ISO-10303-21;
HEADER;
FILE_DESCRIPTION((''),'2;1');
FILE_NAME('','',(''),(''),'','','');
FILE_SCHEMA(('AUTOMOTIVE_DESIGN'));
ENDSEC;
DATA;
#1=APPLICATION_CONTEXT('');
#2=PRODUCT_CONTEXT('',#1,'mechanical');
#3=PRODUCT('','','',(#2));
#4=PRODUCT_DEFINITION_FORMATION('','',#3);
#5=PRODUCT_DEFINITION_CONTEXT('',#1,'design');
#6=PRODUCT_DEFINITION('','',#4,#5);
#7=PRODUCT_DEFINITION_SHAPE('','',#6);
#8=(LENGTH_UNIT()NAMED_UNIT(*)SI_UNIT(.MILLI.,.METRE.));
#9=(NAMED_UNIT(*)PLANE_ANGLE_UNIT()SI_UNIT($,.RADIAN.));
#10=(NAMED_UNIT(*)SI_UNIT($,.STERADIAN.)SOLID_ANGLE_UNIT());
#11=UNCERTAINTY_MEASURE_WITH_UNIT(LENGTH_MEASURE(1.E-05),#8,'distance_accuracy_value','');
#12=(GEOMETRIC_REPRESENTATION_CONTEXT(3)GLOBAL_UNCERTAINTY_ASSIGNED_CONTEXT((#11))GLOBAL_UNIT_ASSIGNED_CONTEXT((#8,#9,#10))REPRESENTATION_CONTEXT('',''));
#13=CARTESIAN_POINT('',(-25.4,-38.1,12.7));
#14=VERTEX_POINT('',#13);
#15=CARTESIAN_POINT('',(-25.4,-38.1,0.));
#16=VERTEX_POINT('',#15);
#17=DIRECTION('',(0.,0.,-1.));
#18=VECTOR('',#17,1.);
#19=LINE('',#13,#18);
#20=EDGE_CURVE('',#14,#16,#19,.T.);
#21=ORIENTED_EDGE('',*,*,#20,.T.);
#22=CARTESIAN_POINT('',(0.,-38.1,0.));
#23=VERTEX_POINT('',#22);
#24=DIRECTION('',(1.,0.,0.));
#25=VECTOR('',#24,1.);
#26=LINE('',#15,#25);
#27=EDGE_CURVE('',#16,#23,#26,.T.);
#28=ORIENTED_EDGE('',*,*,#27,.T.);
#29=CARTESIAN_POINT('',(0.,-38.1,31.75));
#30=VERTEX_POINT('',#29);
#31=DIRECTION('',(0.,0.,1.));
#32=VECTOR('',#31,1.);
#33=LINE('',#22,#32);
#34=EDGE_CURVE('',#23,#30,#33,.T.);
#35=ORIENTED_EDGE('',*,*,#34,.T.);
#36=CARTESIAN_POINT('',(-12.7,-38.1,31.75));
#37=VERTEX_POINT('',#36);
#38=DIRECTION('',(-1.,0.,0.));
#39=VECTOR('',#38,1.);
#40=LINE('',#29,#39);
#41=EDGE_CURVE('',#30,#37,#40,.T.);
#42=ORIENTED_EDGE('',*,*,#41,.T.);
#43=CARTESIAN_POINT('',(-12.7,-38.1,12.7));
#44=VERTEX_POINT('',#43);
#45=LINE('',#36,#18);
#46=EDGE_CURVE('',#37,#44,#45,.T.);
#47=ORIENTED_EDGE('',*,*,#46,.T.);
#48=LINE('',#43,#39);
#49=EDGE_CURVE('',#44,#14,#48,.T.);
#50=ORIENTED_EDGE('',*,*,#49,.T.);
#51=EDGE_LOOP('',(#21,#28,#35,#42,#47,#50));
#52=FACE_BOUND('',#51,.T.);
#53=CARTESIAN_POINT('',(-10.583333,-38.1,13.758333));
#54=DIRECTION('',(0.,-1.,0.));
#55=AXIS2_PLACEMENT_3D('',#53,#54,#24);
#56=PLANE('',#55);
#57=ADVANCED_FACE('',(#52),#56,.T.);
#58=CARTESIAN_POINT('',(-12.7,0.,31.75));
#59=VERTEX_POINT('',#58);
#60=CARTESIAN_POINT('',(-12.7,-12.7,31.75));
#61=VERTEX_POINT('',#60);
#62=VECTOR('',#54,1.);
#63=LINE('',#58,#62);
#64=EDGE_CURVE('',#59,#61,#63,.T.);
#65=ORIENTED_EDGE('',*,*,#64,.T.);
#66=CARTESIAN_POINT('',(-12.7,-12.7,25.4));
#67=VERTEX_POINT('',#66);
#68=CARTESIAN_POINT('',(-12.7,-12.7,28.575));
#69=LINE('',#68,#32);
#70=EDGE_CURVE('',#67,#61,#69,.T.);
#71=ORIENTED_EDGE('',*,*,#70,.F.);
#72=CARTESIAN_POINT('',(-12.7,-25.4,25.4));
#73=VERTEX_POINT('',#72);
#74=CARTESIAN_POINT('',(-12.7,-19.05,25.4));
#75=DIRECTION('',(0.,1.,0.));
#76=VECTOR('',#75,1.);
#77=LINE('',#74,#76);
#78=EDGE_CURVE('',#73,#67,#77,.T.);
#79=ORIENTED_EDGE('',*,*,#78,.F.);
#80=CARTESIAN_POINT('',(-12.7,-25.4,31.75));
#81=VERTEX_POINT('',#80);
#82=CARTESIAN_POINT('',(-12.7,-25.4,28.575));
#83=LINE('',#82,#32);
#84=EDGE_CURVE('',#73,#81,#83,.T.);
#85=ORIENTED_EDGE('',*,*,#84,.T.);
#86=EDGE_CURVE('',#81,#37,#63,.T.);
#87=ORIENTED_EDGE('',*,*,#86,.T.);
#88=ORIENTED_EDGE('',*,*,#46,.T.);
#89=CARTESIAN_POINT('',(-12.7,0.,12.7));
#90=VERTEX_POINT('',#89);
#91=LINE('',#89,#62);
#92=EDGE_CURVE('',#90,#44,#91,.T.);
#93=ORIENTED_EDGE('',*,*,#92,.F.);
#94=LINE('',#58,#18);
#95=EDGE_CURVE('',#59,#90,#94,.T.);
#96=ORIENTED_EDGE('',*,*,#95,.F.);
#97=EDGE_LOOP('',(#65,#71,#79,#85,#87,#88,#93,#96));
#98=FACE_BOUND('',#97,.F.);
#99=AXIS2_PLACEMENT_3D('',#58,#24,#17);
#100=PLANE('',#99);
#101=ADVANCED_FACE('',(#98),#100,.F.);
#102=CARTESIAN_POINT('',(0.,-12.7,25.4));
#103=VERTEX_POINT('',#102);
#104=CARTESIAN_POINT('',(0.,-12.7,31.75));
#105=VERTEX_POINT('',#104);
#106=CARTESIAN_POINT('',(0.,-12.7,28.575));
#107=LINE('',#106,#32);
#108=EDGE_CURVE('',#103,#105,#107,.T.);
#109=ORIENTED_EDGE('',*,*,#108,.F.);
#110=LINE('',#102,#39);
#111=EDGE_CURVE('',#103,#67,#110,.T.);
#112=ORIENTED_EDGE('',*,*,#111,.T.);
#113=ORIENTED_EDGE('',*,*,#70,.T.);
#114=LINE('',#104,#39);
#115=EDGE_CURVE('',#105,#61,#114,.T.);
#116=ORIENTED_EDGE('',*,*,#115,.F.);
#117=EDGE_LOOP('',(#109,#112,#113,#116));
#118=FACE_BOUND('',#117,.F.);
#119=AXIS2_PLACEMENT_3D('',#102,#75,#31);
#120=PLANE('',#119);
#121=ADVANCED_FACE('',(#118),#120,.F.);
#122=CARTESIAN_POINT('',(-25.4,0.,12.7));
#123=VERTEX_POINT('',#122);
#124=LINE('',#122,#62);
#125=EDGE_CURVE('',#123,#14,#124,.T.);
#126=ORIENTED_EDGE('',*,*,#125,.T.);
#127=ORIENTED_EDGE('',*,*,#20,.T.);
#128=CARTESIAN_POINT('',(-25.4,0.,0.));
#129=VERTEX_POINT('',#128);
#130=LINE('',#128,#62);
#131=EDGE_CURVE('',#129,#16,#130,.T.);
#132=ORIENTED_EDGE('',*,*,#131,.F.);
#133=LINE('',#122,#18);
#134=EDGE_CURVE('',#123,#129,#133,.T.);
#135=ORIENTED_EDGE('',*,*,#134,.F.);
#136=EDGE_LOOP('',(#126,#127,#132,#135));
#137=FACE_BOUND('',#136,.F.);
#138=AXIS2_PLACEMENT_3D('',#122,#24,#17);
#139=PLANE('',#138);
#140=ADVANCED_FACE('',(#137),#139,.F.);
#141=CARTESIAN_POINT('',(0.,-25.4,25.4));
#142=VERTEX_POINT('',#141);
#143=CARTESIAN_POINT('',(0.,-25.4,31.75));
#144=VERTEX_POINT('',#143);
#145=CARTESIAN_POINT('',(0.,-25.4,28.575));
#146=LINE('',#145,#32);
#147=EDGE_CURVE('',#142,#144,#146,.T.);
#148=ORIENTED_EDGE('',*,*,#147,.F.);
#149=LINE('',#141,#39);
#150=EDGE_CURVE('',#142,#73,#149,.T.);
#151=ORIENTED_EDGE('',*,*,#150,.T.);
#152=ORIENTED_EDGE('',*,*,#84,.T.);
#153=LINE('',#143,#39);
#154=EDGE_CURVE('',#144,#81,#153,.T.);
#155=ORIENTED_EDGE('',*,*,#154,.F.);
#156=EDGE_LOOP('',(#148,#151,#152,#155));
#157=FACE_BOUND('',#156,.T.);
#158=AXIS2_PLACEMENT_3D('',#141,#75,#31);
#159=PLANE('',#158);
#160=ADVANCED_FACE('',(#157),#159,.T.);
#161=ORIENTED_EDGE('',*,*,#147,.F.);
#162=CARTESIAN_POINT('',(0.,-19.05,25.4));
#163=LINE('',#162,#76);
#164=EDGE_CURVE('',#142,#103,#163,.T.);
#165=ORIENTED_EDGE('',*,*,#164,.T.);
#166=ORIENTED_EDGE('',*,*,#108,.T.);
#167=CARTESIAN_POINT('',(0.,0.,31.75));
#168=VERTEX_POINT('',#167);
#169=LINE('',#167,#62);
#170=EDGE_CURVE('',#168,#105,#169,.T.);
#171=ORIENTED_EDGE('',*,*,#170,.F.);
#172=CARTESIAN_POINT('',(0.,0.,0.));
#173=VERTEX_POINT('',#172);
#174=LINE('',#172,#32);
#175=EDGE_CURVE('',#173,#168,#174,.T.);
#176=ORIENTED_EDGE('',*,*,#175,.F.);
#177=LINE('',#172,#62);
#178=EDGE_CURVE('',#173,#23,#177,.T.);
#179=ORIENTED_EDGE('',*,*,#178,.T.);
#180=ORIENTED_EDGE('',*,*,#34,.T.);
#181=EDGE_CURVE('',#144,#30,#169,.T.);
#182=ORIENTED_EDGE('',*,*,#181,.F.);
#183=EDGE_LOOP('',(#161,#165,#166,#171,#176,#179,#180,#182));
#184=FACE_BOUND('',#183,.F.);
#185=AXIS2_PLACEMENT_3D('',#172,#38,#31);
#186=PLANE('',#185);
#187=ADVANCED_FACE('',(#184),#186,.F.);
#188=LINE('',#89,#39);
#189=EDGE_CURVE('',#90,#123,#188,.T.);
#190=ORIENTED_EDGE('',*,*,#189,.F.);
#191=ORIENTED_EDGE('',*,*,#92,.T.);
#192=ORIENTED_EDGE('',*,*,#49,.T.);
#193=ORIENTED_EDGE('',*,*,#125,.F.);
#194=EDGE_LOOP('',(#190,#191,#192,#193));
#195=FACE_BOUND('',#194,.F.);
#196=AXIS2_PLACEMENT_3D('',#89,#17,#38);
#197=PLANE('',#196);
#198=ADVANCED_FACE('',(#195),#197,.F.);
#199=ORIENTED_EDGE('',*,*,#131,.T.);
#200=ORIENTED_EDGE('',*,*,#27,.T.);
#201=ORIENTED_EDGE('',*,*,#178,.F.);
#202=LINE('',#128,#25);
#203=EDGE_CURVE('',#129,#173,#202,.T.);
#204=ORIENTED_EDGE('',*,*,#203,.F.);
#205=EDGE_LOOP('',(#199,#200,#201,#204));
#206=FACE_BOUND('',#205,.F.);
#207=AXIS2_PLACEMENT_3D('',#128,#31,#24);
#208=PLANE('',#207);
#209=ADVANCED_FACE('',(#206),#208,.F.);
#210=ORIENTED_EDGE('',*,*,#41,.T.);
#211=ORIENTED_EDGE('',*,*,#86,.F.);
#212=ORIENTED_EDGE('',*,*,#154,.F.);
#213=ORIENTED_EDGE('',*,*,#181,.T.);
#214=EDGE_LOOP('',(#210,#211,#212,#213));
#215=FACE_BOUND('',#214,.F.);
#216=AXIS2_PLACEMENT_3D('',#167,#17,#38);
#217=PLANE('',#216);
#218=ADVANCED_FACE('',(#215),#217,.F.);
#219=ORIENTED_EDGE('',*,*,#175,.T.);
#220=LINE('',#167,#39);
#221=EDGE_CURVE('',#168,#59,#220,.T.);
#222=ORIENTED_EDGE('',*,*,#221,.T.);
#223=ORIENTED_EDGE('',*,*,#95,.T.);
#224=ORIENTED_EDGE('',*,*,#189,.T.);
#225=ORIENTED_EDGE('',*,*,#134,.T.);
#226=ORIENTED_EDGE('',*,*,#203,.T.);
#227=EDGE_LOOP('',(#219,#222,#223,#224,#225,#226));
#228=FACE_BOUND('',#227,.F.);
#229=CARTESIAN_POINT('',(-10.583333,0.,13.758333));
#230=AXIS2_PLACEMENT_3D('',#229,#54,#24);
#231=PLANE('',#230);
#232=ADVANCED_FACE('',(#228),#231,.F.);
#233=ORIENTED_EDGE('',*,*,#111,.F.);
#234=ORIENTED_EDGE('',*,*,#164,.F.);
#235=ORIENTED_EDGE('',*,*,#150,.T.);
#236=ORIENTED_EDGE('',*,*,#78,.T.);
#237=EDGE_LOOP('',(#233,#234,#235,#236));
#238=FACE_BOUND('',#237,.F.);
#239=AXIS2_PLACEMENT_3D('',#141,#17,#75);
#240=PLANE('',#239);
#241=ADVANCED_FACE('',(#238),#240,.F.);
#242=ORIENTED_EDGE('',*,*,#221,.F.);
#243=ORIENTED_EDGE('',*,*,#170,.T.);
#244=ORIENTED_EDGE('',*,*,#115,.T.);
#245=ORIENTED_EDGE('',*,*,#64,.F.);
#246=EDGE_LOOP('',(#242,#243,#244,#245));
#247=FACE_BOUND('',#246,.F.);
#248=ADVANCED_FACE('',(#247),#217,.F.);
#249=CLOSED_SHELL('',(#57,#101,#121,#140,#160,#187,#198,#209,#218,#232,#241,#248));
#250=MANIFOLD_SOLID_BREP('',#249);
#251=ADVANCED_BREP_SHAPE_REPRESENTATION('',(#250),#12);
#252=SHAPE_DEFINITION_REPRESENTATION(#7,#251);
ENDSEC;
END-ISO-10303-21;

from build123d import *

# Parameters (mm, degrees)
F1_DEPTH = 38.1
F2_W     = 12.7
F2_H     = 6.35
F3_DEPTH = 12.7


with BuildPart() as f1:
    # F0 (on Front) → F1 (new body)
    with BuildSketch(Plane.XZ):
        Polygon((-25.4, 0), (0, 0), (0, 31.75), (-12.7, 31.75), (-12.7, 12.7), (-25.4, 12.7), align=None)
    extrude(amount=F1_DEPTH)

    # F2 (on face) → F3 (cut)
    with BuildSketch(Plane.YZ):
        with Locations((-19.05, 28.575)):
            Rectangle(F2_W, F2_H)
    extrude(amount=-F3_DEPTH, mode=Mode.SUBTRACT)


solid = f1.part
